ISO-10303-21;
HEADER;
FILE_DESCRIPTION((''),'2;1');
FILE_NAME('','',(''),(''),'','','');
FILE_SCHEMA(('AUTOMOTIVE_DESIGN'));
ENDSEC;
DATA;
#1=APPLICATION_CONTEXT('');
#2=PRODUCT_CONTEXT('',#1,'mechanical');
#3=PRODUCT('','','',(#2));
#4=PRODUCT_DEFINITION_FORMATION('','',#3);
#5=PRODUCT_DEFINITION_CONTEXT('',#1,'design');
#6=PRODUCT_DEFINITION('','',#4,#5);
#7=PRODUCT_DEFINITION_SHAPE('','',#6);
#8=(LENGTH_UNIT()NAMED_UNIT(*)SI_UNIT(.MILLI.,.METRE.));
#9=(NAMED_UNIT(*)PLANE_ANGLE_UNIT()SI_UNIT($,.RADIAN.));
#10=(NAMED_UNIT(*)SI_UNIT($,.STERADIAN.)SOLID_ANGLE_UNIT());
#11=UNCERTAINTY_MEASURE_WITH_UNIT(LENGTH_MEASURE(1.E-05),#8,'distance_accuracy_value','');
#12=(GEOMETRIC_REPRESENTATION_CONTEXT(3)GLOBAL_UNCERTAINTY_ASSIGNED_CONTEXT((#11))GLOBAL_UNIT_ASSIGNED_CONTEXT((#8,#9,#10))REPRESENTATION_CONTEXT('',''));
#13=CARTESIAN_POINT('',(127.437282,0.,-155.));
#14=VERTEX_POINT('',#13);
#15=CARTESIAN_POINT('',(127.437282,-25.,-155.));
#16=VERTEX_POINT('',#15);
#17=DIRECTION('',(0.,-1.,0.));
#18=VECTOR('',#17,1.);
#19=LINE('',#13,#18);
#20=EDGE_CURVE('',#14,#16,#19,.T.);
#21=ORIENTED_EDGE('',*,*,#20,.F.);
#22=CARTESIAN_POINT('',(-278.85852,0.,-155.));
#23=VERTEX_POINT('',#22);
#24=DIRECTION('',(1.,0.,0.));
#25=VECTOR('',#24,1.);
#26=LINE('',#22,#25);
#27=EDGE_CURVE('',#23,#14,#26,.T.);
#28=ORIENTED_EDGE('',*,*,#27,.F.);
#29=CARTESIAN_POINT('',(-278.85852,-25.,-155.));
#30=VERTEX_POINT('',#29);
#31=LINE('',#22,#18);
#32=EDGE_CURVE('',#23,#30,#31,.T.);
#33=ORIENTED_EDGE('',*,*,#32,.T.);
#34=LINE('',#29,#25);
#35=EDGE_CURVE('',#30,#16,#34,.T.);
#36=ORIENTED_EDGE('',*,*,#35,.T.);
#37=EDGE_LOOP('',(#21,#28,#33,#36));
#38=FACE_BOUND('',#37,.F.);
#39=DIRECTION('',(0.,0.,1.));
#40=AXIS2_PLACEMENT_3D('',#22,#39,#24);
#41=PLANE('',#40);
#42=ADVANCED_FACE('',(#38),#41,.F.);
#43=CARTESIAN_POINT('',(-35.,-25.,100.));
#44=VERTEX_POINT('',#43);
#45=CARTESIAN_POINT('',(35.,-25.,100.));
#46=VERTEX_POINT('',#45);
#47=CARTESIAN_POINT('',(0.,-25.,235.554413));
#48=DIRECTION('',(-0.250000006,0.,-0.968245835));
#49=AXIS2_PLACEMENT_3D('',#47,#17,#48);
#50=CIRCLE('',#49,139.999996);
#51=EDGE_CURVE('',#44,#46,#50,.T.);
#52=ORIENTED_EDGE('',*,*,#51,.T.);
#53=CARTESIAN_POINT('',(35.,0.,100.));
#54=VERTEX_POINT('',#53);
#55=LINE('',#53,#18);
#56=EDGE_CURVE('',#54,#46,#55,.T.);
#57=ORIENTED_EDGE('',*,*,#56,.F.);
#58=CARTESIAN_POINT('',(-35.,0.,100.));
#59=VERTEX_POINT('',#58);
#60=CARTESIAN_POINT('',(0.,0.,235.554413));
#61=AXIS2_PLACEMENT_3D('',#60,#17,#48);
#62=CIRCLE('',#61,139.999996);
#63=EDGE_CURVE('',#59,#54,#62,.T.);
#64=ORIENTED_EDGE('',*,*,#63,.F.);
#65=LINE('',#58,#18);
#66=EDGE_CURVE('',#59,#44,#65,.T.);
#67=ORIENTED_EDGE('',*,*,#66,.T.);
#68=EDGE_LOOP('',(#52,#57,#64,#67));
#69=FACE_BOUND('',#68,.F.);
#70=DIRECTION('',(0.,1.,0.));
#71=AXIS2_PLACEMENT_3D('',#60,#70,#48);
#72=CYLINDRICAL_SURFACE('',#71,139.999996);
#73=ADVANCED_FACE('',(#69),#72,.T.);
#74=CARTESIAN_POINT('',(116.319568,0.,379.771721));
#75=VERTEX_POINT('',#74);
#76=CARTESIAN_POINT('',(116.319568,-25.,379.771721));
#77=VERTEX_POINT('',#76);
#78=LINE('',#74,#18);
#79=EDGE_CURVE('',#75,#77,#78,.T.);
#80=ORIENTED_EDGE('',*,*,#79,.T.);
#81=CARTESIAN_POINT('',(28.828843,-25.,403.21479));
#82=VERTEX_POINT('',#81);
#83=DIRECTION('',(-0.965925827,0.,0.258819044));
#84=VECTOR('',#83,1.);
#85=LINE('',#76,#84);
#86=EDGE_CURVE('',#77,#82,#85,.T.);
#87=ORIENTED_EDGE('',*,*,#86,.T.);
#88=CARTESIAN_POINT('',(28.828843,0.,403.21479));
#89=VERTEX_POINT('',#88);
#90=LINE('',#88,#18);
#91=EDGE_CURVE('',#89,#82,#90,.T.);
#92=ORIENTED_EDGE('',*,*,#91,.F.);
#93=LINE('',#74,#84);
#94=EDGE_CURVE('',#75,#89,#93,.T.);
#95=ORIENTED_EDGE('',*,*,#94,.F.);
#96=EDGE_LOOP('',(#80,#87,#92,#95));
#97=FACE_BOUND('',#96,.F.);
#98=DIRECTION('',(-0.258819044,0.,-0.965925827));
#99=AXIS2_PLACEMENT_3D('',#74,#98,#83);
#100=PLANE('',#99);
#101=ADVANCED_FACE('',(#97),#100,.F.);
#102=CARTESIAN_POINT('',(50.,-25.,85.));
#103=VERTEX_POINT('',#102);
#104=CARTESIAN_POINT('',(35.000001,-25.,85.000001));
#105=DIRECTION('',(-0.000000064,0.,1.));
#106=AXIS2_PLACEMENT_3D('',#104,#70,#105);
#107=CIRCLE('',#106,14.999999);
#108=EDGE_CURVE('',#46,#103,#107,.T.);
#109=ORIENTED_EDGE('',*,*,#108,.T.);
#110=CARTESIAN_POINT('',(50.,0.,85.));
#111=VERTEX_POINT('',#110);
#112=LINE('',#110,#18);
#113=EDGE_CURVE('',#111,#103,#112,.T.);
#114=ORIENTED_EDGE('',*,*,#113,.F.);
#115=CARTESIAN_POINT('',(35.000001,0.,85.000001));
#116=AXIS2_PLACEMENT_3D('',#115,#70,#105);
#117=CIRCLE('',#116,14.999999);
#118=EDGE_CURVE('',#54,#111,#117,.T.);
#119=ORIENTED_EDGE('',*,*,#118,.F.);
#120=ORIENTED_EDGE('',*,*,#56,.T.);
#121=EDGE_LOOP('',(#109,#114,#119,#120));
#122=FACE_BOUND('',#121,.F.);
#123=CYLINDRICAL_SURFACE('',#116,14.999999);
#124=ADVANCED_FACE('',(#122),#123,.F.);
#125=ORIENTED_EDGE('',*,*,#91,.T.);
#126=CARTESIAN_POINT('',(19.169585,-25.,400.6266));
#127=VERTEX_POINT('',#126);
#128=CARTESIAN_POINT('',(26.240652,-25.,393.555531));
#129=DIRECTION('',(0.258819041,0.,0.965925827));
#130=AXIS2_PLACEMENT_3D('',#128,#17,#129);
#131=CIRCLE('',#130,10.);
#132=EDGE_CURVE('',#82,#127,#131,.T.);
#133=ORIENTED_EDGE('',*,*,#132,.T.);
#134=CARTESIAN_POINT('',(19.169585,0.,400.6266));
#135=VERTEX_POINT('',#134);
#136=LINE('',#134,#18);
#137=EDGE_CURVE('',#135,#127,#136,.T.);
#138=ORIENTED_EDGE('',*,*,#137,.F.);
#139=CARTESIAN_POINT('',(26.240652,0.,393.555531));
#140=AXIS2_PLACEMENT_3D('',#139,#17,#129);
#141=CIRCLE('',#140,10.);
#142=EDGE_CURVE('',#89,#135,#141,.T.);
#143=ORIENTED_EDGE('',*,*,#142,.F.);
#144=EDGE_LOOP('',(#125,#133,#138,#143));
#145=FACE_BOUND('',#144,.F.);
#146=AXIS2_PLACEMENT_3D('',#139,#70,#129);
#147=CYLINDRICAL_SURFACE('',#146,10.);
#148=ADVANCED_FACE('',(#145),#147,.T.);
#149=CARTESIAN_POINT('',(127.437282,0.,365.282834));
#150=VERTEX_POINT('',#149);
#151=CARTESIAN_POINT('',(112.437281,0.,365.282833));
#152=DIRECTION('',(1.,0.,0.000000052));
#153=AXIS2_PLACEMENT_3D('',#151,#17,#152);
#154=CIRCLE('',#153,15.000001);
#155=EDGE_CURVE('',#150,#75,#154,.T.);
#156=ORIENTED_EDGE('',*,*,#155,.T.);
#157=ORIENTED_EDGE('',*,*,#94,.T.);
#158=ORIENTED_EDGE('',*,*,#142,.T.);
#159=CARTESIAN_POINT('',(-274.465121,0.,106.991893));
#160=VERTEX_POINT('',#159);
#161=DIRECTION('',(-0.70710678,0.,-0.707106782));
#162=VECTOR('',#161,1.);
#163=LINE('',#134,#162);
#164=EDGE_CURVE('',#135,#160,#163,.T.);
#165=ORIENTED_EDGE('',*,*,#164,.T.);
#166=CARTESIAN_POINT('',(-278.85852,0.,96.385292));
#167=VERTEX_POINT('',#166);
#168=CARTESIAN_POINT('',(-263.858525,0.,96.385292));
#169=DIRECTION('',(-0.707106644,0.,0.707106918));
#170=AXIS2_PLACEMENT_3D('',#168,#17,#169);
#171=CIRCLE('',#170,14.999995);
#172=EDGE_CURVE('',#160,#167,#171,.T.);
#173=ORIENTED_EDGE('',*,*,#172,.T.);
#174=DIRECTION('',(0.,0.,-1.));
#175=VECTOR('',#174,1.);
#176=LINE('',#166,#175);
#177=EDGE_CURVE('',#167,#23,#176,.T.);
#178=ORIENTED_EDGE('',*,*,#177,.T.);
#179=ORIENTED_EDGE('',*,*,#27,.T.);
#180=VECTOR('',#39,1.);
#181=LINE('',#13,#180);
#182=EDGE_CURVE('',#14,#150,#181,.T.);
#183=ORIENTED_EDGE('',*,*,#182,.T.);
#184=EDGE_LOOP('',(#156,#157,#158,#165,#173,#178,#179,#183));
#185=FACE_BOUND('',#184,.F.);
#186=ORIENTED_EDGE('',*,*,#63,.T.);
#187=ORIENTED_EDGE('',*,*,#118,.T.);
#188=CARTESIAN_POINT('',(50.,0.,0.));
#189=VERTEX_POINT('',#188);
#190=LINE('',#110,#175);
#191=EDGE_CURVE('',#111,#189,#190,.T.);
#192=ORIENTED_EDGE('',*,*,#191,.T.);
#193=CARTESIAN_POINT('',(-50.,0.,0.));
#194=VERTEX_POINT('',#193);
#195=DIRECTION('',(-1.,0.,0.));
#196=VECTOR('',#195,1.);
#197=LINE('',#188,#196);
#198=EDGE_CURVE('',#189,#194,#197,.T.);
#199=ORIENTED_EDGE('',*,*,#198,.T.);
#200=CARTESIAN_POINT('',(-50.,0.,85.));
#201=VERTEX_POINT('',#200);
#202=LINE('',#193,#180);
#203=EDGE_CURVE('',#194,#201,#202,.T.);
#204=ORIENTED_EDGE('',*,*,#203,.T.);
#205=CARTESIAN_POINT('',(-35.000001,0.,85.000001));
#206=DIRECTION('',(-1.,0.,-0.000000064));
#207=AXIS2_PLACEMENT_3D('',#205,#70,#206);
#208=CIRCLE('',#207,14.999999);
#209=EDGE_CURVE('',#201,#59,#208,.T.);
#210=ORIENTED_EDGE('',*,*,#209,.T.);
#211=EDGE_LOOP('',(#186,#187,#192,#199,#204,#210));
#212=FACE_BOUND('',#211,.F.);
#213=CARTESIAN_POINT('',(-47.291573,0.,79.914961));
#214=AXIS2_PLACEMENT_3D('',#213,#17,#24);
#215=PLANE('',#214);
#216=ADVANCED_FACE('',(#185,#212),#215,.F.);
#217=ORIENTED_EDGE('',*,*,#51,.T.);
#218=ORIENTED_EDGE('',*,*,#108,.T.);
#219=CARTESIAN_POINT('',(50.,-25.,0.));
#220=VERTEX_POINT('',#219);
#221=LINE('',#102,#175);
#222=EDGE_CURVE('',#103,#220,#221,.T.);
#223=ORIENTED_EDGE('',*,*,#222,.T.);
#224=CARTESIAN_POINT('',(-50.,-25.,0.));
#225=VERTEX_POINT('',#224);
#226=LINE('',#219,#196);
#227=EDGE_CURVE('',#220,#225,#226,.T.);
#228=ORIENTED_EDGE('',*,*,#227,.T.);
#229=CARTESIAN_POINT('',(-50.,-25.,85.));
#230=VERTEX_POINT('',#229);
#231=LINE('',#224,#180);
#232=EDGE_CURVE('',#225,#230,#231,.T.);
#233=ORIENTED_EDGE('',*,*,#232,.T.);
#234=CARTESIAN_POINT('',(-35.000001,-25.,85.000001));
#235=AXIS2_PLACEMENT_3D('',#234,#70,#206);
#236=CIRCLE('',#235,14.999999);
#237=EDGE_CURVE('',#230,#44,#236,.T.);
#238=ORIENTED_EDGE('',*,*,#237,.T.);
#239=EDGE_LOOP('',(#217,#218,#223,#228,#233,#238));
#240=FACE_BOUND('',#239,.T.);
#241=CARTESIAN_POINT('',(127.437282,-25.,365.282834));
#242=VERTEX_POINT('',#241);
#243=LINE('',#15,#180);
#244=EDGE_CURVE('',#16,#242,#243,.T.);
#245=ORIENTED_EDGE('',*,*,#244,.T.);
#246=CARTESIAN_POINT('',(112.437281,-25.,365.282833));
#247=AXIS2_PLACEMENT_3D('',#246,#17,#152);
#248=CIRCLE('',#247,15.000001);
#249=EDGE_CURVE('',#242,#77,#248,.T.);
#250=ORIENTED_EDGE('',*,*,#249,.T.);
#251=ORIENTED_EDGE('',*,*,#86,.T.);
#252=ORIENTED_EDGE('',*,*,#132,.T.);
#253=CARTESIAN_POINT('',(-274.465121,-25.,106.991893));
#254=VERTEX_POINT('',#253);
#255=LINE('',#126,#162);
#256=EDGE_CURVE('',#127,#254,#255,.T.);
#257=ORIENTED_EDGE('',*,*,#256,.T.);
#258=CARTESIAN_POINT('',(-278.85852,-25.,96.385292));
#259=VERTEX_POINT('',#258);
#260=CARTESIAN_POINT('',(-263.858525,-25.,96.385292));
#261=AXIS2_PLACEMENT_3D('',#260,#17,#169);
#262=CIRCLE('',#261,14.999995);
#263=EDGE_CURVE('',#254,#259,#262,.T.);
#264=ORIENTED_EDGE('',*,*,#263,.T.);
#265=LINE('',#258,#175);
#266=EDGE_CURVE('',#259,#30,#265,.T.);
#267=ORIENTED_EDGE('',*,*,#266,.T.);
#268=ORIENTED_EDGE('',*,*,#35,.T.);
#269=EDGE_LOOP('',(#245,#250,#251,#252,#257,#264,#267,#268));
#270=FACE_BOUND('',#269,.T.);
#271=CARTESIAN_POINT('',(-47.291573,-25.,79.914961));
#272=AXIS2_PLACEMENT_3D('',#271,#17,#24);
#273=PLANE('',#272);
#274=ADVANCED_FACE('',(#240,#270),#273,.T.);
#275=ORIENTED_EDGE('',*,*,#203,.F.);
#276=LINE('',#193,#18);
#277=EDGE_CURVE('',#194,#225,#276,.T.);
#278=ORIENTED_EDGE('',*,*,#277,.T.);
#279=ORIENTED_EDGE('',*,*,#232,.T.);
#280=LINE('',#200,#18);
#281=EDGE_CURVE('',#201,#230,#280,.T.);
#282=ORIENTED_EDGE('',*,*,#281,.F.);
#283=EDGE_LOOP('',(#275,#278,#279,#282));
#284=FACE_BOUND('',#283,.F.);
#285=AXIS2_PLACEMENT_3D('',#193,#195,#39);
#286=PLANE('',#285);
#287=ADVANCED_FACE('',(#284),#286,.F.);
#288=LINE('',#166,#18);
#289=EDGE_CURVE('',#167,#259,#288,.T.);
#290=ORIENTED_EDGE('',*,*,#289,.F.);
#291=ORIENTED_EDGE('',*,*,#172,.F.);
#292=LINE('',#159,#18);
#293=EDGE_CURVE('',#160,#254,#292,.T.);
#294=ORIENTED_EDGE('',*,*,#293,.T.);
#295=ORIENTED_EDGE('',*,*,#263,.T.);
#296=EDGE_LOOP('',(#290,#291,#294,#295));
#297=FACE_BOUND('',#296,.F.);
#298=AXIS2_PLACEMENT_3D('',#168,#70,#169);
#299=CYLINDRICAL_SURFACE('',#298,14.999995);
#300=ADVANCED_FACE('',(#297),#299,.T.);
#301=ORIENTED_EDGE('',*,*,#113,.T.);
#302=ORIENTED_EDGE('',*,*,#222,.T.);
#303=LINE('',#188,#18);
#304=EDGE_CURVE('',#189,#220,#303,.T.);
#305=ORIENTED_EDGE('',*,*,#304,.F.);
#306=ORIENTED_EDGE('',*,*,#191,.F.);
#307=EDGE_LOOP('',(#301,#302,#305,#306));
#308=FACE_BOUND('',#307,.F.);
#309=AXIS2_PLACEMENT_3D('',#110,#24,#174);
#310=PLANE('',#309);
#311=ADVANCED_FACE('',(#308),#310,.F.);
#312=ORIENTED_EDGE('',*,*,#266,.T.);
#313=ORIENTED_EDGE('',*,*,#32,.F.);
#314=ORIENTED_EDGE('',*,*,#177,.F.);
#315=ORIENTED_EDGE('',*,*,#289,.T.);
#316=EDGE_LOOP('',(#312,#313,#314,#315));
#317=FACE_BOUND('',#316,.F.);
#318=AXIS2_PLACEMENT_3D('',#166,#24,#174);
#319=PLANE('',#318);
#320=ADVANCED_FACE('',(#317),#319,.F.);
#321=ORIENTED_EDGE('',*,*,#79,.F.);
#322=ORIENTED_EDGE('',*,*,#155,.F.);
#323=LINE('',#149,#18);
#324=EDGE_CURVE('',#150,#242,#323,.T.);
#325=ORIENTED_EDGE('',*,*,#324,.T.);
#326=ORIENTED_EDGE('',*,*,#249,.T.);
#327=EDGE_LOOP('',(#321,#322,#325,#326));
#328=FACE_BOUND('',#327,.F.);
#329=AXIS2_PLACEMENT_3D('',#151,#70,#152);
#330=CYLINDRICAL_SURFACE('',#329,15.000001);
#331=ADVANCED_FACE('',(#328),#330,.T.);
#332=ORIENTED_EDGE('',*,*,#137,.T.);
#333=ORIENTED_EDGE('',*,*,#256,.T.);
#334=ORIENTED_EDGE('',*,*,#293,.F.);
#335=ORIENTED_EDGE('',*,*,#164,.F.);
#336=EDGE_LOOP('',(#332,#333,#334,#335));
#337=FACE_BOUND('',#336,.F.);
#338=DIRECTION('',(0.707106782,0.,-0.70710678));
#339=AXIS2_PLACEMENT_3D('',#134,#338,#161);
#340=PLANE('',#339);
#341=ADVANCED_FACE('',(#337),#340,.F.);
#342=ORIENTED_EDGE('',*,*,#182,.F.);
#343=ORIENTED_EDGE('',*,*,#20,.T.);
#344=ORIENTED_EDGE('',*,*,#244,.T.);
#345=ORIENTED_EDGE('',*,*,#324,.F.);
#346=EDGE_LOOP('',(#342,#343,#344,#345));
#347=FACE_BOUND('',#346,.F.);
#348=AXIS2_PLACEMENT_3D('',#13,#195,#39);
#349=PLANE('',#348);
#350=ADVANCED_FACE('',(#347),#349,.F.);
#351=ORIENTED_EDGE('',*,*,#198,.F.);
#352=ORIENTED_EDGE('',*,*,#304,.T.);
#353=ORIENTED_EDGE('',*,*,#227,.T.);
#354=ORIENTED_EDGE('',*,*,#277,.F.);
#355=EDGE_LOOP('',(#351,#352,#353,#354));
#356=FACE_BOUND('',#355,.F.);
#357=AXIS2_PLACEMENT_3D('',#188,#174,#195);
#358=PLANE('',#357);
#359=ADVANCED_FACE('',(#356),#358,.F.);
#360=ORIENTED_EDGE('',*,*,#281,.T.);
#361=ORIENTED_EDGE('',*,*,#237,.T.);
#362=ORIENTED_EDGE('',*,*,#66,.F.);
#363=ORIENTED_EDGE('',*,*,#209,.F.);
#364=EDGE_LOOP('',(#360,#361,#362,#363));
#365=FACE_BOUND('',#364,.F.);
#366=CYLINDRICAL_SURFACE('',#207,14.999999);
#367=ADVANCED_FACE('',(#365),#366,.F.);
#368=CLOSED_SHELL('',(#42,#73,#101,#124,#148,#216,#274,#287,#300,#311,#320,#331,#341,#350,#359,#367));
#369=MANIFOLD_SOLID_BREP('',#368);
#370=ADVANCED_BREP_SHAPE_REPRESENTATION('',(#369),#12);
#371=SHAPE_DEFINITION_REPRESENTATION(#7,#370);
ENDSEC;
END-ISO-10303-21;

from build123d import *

# Parameters (mm, degrees)
F1_DEPTH = 25


with BuildPart() as f1:
    # F0 (on Front) → F1 (new body)
    with BuildSketch(Plane.XZ):
        with BuildLine():
            Line((-278.85852, -155), (127.437282, -155))
            Line((127.437282, -155), (127.437282, 365.282834))
            ThreePointArc((127.437282, 365.282834), (124.337582, 374.414255), (116.319568, 379.771721))
            Line((116.319568, 379.771721), (28.828843, 403.21479))
            ThreePointArc((28.828843, 403.21479), (23.652462, 403.21479), (19.169585, 400.6266))
            Line((19.169585, 400.6266), (-274.465121, 106.991893))
            ThreePointArc((-274.465121, 106.991893), (-277.716713, 102.125543), (-278.85852, 96.385292))
            Line((-278.85852, 96.385292), (-278.85852, -155))
        make_face()
        with BuildLine():
            Line((50, 85), (50, 30))
            Line((50, 30), (50, 0))
            Line((50, 0), (-50, 0))
            Line((-50, 0), (-50, 30))
            Line((-50, 30), (-50, 85))
            ThreePointArc((-50, 85), (-45.606602, 95.606602), (-35, 100))
            ThreePointArc((-35, 100), (0, 95.554417), (35, 100))
            ThreePointArc((35, 100), (45.606602, 95.606602), (50, 85))
        make_face(mode=Mode.SUBTRACT)
    extrude(amount=F1_DEPTH)


solid = f1.part
